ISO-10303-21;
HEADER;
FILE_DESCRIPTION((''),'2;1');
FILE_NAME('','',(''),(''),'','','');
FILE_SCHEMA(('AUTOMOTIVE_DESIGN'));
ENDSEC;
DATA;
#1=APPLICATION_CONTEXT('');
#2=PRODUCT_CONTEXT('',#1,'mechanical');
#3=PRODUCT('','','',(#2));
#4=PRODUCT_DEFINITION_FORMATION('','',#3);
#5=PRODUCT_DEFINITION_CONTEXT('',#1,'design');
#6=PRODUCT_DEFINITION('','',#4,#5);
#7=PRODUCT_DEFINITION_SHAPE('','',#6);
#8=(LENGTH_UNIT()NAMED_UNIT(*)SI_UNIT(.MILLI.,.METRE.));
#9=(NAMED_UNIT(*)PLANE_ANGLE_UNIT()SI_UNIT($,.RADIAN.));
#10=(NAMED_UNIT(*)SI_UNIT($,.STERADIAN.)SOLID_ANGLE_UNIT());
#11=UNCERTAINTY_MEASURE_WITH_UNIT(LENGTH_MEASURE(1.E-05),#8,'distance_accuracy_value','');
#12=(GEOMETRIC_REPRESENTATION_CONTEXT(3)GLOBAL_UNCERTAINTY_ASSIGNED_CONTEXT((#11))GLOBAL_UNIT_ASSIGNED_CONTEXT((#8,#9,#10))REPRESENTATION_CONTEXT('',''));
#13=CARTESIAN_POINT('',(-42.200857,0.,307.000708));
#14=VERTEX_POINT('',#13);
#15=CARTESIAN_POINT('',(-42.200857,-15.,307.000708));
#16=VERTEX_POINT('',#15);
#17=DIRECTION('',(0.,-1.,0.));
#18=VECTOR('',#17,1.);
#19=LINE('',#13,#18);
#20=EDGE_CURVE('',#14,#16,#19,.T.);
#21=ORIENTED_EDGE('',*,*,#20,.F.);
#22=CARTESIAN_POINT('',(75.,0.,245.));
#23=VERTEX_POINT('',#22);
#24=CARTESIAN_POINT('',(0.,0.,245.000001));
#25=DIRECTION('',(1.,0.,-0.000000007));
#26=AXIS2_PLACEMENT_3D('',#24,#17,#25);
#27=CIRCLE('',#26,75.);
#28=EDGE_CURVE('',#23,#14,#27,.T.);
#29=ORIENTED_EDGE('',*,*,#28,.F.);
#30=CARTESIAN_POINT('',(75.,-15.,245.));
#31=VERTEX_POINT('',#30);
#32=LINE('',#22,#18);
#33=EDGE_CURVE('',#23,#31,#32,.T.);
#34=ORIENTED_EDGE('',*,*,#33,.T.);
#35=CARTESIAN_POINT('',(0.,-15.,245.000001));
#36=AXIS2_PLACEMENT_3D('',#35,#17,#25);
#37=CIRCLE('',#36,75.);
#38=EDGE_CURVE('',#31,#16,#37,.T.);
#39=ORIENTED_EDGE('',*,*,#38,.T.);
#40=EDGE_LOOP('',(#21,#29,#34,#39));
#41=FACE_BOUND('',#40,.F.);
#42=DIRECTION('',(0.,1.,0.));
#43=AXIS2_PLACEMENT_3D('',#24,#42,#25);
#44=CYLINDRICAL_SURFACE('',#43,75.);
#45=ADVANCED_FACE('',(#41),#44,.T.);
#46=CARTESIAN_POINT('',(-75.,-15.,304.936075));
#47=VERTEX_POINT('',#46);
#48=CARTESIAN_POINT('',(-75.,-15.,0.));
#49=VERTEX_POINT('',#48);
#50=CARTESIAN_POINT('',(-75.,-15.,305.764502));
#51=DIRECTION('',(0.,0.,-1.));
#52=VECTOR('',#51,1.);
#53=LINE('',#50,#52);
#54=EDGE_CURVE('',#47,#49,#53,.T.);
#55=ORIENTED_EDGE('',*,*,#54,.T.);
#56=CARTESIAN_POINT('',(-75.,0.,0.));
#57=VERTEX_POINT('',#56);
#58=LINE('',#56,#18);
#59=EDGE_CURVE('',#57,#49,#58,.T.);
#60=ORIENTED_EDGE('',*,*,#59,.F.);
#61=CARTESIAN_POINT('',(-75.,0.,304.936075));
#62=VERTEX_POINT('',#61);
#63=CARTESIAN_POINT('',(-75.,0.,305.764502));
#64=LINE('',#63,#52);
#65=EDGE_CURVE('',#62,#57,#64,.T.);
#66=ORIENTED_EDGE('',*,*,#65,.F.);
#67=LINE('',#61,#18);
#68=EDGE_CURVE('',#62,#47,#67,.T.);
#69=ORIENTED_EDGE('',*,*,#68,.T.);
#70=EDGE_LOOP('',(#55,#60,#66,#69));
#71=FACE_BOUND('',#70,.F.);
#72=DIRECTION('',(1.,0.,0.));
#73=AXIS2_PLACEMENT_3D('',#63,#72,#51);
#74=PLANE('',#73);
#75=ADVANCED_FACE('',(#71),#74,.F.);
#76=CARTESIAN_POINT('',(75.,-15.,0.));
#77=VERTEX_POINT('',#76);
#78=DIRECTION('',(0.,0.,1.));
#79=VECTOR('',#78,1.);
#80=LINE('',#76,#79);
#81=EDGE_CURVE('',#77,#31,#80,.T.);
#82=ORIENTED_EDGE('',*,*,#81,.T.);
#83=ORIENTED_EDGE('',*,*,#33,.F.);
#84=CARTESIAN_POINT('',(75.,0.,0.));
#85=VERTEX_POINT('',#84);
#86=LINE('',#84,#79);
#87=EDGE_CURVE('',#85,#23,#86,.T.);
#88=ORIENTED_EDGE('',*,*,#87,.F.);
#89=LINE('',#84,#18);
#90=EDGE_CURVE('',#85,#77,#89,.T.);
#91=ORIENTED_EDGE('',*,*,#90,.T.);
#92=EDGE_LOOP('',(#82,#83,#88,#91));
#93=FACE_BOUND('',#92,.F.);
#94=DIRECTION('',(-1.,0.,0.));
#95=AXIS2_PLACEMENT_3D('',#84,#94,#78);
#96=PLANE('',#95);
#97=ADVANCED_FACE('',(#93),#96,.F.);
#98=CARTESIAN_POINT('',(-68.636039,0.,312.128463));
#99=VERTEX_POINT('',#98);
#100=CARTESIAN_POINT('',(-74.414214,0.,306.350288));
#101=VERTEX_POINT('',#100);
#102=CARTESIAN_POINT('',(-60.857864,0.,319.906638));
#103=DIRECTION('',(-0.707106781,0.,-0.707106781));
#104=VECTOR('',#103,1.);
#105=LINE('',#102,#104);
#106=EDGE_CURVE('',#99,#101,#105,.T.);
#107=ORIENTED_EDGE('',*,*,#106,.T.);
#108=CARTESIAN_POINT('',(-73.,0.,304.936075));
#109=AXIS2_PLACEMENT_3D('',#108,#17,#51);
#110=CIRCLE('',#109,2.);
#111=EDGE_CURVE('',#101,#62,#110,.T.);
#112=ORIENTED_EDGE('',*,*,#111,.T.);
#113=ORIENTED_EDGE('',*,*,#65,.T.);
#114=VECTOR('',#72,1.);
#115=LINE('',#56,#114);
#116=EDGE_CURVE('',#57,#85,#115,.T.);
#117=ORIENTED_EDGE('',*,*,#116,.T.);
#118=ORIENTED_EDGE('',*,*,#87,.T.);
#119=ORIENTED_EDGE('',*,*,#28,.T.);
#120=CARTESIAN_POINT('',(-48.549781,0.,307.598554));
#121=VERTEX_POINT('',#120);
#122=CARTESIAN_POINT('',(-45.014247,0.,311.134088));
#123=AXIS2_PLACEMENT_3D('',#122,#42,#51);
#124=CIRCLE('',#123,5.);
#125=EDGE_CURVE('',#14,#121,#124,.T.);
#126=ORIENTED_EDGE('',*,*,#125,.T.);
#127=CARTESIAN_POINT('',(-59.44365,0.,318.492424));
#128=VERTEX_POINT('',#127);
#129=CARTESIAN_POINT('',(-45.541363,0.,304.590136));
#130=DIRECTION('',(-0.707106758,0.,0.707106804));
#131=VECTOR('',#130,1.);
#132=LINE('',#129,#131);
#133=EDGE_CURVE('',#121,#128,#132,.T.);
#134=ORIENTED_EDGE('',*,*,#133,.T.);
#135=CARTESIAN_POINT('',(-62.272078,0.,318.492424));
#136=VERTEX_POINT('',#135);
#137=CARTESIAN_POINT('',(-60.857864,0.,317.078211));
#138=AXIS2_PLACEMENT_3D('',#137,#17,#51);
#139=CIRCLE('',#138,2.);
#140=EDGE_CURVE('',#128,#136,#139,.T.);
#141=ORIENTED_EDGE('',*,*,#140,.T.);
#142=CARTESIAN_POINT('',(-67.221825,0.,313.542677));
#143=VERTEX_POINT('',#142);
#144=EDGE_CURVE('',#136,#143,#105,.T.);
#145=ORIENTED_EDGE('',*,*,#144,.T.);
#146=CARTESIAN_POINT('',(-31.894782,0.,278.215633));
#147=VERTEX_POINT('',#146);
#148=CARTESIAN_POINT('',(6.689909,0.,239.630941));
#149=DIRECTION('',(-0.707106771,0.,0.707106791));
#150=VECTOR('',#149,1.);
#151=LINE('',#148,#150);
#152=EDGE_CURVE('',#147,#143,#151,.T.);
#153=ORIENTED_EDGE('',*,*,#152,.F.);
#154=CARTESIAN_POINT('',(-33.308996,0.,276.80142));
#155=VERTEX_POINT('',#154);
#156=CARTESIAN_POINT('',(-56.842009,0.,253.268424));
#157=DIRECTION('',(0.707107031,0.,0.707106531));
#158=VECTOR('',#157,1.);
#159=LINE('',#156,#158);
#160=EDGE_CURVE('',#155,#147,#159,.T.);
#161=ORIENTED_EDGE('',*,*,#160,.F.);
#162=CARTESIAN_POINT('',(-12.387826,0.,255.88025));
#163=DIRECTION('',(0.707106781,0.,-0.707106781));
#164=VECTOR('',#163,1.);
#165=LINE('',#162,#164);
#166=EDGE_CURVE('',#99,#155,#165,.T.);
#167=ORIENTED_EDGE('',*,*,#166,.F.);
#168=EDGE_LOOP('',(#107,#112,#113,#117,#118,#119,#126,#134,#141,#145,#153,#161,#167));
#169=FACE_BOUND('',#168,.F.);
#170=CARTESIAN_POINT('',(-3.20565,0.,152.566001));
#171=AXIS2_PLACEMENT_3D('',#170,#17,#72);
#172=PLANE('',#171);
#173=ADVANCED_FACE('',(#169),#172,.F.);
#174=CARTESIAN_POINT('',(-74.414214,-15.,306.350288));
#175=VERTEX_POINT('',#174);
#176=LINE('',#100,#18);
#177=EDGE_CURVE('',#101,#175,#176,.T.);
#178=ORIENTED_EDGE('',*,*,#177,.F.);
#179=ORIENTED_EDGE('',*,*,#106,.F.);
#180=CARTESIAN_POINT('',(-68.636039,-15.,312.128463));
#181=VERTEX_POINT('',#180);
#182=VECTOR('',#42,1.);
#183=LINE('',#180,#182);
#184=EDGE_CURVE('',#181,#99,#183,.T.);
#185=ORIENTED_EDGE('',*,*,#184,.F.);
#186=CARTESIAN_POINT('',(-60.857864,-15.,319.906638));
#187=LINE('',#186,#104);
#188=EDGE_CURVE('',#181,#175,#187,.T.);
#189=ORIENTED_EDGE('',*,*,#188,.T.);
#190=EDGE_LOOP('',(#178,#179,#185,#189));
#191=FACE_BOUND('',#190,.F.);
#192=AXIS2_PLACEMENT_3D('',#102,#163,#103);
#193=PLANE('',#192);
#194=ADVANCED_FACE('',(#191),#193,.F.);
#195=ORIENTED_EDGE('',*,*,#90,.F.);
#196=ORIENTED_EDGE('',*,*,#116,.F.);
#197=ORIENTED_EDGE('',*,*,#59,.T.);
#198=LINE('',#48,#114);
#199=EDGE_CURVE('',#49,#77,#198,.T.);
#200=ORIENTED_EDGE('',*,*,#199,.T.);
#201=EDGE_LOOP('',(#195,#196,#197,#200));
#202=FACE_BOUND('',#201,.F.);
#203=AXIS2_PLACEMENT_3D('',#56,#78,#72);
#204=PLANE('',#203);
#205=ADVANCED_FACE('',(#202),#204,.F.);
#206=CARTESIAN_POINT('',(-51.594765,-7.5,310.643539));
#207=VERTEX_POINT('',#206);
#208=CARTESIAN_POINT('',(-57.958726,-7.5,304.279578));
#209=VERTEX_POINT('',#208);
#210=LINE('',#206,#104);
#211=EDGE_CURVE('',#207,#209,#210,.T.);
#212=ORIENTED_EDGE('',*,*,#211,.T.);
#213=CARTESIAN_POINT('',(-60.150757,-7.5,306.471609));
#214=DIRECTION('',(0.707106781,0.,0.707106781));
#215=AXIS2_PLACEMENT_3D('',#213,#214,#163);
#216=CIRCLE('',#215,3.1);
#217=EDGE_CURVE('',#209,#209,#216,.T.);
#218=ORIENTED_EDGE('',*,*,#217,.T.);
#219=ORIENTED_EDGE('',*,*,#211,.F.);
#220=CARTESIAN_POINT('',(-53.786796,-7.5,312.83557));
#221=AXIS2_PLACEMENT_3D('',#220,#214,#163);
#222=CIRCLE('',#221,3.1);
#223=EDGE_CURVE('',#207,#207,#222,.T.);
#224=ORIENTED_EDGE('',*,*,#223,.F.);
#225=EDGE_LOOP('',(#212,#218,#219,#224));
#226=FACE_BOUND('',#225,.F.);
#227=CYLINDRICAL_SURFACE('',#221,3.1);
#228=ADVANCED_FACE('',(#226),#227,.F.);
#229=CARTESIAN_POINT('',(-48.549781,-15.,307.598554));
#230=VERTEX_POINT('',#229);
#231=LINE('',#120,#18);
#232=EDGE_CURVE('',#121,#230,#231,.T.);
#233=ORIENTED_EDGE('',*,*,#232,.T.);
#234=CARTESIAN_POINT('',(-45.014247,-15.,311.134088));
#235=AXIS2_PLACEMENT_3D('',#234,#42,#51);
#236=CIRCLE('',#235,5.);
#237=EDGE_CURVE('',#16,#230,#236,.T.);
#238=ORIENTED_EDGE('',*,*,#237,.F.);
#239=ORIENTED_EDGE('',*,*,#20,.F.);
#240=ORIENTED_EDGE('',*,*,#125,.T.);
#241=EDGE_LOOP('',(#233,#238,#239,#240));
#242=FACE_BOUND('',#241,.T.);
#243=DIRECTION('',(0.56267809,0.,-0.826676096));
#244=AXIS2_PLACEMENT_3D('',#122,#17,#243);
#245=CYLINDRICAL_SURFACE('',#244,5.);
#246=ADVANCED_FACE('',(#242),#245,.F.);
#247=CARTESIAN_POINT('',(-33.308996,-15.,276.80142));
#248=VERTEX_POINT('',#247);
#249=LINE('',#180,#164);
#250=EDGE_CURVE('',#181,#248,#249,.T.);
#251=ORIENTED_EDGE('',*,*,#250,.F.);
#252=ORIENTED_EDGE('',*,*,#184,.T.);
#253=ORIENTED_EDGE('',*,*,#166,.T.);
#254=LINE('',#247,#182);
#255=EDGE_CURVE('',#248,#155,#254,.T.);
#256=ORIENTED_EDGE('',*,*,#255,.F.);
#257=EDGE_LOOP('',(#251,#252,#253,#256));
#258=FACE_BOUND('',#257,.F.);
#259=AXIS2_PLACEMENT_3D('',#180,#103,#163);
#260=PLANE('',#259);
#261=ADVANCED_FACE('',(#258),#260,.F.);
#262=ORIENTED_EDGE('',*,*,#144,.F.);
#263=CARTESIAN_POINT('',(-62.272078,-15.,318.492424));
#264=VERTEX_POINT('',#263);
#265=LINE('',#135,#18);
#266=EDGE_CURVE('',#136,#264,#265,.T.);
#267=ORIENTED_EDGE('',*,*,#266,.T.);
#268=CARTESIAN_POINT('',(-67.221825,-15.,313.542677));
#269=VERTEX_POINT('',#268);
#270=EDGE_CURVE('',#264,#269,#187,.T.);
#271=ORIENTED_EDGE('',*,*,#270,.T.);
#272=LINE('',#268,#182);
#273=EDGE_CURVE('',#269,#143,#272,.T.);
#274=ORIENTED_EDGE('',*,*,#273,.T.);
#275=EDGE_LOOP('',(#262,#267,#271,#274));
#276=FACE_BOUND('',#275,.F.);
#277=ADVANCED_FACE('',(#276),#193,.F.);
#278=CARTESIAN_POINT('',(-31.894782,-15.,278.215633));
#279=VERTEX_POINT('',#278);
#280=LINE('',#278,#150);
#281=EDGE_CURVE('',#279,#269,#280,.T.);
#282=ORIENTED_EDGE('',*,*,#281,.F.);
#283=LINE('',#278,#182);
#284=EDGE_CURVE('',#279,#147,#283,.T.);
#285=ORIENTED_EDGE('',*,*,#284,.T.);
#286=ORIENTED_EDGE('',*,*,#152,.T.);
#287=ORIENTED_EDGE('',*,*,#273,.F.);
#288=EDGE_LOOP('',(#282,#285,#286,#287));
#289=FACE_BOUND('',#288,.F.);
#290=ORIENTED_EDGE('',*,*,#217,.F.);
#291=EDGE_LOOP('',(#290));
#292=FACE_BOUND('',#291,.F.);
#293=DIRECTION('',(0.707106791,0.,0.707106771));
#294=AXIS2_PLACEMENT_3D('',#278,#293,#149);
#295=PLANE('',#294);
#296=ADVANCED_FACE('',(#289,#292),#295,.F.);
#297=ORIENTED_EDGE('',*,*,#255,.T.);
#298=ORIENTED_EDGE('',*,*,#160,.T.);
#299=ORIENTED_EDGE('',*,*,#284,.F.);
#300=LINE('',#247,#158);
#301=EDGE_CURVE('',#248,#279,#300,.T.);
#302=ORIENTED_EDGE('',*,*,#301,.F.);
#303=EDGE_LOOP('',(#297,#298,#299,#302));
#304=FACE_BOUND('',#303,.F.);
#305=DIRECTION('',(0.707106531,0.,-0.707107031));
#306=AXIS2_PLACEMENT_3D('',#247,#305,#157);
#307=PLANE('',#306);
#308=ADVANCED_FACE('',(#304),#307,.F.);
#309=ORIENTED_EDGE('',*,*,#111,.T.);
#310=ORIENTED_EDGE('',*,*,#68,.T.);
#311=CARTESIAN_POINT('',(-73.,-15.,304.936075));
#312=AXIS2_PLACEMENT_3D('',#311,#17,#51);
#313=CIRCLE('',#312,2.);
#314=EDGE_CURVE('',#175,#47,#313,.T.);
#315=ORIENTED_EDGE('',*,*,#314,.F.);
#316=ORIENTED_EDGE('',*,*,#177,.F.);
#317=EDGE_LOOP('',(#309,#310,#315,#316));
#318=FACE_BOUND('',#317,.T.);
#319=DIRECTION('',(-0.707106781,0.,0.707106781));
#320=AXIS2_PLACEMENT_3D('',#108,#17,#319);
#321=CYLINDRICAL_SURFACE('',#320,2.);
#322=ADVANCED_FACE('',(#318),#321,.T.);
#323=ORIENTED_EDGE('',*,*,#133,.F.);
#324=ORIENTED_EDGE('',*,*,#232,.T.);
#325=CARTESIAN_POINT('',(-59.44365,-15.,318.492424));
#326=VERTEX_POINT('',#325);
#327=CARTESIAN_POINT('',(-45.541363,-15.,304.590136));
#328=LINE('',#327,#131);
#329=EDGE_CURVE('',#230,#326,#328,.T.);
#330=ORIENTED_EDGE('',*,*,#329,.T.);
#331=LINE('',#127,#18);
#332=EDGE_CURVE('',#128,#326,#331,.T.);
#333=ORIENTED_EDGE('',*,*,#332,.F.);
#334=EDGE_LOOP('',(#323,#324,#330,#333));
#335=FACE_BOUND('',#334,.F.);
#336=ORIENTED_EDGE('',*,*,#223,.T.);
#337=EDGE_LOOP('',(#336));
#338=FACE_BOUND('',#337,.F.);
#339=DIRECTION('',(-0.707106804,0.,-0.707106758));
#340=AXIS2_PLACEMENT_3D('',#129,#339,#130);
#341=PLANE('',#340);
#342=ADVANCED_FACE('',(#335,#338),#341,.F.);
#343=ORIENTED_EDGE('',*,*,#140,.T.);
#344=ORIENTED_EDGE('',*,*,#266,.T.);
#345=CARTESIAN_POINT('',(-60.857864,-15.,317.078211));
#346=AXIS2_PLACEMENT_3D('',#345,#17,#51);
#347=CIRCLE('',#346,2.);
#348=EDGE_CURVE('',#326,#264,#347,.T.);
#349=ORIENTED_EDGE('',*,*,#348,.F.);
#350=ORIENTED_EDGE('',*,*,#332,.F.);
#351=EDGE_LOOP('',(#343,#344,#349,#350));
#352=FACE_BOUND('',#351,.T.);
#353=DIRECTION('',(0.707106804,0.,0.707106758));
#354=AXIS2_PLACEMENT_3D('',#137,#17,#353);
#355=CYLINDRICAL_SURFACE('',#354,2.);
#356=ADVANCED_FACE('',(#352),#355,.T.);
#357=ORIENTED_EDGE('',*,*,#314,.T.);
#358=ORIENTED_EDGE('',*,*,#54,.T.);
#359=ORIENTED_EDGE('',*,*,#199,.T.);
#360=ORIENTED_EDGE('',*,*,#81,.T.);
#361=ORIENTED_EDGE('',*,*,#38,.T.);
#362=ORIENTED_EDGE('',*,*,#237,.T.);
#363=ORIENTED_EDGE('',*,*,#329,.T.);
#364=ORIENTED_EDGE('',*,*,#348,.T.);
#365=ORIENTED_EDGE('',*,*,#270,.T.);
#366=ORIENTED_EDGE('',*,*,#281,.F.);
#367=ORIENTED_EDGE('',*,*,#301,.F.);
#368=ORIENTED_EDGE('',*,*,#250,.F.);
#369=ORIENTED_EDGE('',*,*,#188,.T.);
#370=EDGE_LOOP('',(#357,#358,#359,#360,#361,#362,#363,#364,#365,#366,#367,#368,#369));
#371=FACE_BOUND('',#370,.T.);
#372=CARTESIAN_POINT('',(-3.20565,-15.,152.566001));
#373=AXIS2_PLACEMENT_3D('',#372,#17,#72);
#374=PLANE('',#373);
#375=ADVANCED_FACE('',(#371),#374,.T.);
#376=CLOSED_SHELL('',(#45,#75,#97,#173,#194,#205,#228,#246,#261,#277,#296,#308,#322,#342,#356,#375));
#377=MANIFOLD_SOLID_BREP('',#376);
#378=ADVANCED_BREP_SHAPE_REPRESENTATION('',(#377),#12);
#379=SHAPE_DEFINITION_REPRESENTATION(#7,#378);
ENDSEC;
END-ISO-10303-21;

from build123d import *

# Parameters (mm, degrees)
F1_DEPTH = 15
F2_R     = 5
F3_R     = 2
F4_R     = 2
F6_DEPTH = 15.001
F7_R     = 3.1
F8_DEPTH = 9


with BuildPart() as f1:
    # F0 (on Front) → F1 (new body)
    with BuildSketch(Plane.XZ):
        with BuildLine():
            Line((-75, 305.764502), (-75, 0))
            Line((-75, 0), (75, 0))
            Line((75, 0), (75, 245))
            ThreePointArc((75, 245), (33.237011, 312.233185), (-45.541363, 304.590136))
            Line((-45.541363, 304.590136), (-60.857864, 319.906638))
            Line((-60.857864, 319.906638), (-75, 305.764502))
        make_face()
    extrude(amount=F1_DEPTH)

    # F2
    f2_edges = [f1.edges().sort_by_distance(p)[0] for p in [
        (-45.541363, -7.5, 304.590136),
    ]]
    fillet(f2_edges, radius=F2_R)

    # F3
    f3_edges = [f1.edges().sort_by_distance(p)[0] for p in [
        (-60.857864, -7.5, 319.906638),
    ]]
    fillet(f3_edges, radius=F3_R)

    # F4
    f4_edges = [f1.edges().sort_by_distance(p)[0] for p in [
        (-75, -7.5, 305.764502),
    ]]
    fillet(f4_edges, radius=F4_R)

    # F5 (on face) → F6 (cut, through all)
    with BuildSketch(Plane.XZ.offset(15)):
        Polygon((-67.221825, 313.542677), (-68.636039, 312.128463), (-33.308996, 276.80142), (-31.894782, 278.215633), align=None)
    extrude(amount=-F6_DEPTH, mode=Mode.SUBTRACT)

    # F7 (on face) → F8 (cut, through all)
    with BuildSketch(Plane(origin=(129.524387, 0, 129.524387), x_dir=(0.707107, 0, -0.707107), z_dir=(0.707107, 0, 0.707107))):
        with Locations((-259.241161, -7.5)):
            Circle(F7_R)
    extrude(amount=-F8_DEPTH, mode=Mode.SUBTRACT)


solid = f1.part
